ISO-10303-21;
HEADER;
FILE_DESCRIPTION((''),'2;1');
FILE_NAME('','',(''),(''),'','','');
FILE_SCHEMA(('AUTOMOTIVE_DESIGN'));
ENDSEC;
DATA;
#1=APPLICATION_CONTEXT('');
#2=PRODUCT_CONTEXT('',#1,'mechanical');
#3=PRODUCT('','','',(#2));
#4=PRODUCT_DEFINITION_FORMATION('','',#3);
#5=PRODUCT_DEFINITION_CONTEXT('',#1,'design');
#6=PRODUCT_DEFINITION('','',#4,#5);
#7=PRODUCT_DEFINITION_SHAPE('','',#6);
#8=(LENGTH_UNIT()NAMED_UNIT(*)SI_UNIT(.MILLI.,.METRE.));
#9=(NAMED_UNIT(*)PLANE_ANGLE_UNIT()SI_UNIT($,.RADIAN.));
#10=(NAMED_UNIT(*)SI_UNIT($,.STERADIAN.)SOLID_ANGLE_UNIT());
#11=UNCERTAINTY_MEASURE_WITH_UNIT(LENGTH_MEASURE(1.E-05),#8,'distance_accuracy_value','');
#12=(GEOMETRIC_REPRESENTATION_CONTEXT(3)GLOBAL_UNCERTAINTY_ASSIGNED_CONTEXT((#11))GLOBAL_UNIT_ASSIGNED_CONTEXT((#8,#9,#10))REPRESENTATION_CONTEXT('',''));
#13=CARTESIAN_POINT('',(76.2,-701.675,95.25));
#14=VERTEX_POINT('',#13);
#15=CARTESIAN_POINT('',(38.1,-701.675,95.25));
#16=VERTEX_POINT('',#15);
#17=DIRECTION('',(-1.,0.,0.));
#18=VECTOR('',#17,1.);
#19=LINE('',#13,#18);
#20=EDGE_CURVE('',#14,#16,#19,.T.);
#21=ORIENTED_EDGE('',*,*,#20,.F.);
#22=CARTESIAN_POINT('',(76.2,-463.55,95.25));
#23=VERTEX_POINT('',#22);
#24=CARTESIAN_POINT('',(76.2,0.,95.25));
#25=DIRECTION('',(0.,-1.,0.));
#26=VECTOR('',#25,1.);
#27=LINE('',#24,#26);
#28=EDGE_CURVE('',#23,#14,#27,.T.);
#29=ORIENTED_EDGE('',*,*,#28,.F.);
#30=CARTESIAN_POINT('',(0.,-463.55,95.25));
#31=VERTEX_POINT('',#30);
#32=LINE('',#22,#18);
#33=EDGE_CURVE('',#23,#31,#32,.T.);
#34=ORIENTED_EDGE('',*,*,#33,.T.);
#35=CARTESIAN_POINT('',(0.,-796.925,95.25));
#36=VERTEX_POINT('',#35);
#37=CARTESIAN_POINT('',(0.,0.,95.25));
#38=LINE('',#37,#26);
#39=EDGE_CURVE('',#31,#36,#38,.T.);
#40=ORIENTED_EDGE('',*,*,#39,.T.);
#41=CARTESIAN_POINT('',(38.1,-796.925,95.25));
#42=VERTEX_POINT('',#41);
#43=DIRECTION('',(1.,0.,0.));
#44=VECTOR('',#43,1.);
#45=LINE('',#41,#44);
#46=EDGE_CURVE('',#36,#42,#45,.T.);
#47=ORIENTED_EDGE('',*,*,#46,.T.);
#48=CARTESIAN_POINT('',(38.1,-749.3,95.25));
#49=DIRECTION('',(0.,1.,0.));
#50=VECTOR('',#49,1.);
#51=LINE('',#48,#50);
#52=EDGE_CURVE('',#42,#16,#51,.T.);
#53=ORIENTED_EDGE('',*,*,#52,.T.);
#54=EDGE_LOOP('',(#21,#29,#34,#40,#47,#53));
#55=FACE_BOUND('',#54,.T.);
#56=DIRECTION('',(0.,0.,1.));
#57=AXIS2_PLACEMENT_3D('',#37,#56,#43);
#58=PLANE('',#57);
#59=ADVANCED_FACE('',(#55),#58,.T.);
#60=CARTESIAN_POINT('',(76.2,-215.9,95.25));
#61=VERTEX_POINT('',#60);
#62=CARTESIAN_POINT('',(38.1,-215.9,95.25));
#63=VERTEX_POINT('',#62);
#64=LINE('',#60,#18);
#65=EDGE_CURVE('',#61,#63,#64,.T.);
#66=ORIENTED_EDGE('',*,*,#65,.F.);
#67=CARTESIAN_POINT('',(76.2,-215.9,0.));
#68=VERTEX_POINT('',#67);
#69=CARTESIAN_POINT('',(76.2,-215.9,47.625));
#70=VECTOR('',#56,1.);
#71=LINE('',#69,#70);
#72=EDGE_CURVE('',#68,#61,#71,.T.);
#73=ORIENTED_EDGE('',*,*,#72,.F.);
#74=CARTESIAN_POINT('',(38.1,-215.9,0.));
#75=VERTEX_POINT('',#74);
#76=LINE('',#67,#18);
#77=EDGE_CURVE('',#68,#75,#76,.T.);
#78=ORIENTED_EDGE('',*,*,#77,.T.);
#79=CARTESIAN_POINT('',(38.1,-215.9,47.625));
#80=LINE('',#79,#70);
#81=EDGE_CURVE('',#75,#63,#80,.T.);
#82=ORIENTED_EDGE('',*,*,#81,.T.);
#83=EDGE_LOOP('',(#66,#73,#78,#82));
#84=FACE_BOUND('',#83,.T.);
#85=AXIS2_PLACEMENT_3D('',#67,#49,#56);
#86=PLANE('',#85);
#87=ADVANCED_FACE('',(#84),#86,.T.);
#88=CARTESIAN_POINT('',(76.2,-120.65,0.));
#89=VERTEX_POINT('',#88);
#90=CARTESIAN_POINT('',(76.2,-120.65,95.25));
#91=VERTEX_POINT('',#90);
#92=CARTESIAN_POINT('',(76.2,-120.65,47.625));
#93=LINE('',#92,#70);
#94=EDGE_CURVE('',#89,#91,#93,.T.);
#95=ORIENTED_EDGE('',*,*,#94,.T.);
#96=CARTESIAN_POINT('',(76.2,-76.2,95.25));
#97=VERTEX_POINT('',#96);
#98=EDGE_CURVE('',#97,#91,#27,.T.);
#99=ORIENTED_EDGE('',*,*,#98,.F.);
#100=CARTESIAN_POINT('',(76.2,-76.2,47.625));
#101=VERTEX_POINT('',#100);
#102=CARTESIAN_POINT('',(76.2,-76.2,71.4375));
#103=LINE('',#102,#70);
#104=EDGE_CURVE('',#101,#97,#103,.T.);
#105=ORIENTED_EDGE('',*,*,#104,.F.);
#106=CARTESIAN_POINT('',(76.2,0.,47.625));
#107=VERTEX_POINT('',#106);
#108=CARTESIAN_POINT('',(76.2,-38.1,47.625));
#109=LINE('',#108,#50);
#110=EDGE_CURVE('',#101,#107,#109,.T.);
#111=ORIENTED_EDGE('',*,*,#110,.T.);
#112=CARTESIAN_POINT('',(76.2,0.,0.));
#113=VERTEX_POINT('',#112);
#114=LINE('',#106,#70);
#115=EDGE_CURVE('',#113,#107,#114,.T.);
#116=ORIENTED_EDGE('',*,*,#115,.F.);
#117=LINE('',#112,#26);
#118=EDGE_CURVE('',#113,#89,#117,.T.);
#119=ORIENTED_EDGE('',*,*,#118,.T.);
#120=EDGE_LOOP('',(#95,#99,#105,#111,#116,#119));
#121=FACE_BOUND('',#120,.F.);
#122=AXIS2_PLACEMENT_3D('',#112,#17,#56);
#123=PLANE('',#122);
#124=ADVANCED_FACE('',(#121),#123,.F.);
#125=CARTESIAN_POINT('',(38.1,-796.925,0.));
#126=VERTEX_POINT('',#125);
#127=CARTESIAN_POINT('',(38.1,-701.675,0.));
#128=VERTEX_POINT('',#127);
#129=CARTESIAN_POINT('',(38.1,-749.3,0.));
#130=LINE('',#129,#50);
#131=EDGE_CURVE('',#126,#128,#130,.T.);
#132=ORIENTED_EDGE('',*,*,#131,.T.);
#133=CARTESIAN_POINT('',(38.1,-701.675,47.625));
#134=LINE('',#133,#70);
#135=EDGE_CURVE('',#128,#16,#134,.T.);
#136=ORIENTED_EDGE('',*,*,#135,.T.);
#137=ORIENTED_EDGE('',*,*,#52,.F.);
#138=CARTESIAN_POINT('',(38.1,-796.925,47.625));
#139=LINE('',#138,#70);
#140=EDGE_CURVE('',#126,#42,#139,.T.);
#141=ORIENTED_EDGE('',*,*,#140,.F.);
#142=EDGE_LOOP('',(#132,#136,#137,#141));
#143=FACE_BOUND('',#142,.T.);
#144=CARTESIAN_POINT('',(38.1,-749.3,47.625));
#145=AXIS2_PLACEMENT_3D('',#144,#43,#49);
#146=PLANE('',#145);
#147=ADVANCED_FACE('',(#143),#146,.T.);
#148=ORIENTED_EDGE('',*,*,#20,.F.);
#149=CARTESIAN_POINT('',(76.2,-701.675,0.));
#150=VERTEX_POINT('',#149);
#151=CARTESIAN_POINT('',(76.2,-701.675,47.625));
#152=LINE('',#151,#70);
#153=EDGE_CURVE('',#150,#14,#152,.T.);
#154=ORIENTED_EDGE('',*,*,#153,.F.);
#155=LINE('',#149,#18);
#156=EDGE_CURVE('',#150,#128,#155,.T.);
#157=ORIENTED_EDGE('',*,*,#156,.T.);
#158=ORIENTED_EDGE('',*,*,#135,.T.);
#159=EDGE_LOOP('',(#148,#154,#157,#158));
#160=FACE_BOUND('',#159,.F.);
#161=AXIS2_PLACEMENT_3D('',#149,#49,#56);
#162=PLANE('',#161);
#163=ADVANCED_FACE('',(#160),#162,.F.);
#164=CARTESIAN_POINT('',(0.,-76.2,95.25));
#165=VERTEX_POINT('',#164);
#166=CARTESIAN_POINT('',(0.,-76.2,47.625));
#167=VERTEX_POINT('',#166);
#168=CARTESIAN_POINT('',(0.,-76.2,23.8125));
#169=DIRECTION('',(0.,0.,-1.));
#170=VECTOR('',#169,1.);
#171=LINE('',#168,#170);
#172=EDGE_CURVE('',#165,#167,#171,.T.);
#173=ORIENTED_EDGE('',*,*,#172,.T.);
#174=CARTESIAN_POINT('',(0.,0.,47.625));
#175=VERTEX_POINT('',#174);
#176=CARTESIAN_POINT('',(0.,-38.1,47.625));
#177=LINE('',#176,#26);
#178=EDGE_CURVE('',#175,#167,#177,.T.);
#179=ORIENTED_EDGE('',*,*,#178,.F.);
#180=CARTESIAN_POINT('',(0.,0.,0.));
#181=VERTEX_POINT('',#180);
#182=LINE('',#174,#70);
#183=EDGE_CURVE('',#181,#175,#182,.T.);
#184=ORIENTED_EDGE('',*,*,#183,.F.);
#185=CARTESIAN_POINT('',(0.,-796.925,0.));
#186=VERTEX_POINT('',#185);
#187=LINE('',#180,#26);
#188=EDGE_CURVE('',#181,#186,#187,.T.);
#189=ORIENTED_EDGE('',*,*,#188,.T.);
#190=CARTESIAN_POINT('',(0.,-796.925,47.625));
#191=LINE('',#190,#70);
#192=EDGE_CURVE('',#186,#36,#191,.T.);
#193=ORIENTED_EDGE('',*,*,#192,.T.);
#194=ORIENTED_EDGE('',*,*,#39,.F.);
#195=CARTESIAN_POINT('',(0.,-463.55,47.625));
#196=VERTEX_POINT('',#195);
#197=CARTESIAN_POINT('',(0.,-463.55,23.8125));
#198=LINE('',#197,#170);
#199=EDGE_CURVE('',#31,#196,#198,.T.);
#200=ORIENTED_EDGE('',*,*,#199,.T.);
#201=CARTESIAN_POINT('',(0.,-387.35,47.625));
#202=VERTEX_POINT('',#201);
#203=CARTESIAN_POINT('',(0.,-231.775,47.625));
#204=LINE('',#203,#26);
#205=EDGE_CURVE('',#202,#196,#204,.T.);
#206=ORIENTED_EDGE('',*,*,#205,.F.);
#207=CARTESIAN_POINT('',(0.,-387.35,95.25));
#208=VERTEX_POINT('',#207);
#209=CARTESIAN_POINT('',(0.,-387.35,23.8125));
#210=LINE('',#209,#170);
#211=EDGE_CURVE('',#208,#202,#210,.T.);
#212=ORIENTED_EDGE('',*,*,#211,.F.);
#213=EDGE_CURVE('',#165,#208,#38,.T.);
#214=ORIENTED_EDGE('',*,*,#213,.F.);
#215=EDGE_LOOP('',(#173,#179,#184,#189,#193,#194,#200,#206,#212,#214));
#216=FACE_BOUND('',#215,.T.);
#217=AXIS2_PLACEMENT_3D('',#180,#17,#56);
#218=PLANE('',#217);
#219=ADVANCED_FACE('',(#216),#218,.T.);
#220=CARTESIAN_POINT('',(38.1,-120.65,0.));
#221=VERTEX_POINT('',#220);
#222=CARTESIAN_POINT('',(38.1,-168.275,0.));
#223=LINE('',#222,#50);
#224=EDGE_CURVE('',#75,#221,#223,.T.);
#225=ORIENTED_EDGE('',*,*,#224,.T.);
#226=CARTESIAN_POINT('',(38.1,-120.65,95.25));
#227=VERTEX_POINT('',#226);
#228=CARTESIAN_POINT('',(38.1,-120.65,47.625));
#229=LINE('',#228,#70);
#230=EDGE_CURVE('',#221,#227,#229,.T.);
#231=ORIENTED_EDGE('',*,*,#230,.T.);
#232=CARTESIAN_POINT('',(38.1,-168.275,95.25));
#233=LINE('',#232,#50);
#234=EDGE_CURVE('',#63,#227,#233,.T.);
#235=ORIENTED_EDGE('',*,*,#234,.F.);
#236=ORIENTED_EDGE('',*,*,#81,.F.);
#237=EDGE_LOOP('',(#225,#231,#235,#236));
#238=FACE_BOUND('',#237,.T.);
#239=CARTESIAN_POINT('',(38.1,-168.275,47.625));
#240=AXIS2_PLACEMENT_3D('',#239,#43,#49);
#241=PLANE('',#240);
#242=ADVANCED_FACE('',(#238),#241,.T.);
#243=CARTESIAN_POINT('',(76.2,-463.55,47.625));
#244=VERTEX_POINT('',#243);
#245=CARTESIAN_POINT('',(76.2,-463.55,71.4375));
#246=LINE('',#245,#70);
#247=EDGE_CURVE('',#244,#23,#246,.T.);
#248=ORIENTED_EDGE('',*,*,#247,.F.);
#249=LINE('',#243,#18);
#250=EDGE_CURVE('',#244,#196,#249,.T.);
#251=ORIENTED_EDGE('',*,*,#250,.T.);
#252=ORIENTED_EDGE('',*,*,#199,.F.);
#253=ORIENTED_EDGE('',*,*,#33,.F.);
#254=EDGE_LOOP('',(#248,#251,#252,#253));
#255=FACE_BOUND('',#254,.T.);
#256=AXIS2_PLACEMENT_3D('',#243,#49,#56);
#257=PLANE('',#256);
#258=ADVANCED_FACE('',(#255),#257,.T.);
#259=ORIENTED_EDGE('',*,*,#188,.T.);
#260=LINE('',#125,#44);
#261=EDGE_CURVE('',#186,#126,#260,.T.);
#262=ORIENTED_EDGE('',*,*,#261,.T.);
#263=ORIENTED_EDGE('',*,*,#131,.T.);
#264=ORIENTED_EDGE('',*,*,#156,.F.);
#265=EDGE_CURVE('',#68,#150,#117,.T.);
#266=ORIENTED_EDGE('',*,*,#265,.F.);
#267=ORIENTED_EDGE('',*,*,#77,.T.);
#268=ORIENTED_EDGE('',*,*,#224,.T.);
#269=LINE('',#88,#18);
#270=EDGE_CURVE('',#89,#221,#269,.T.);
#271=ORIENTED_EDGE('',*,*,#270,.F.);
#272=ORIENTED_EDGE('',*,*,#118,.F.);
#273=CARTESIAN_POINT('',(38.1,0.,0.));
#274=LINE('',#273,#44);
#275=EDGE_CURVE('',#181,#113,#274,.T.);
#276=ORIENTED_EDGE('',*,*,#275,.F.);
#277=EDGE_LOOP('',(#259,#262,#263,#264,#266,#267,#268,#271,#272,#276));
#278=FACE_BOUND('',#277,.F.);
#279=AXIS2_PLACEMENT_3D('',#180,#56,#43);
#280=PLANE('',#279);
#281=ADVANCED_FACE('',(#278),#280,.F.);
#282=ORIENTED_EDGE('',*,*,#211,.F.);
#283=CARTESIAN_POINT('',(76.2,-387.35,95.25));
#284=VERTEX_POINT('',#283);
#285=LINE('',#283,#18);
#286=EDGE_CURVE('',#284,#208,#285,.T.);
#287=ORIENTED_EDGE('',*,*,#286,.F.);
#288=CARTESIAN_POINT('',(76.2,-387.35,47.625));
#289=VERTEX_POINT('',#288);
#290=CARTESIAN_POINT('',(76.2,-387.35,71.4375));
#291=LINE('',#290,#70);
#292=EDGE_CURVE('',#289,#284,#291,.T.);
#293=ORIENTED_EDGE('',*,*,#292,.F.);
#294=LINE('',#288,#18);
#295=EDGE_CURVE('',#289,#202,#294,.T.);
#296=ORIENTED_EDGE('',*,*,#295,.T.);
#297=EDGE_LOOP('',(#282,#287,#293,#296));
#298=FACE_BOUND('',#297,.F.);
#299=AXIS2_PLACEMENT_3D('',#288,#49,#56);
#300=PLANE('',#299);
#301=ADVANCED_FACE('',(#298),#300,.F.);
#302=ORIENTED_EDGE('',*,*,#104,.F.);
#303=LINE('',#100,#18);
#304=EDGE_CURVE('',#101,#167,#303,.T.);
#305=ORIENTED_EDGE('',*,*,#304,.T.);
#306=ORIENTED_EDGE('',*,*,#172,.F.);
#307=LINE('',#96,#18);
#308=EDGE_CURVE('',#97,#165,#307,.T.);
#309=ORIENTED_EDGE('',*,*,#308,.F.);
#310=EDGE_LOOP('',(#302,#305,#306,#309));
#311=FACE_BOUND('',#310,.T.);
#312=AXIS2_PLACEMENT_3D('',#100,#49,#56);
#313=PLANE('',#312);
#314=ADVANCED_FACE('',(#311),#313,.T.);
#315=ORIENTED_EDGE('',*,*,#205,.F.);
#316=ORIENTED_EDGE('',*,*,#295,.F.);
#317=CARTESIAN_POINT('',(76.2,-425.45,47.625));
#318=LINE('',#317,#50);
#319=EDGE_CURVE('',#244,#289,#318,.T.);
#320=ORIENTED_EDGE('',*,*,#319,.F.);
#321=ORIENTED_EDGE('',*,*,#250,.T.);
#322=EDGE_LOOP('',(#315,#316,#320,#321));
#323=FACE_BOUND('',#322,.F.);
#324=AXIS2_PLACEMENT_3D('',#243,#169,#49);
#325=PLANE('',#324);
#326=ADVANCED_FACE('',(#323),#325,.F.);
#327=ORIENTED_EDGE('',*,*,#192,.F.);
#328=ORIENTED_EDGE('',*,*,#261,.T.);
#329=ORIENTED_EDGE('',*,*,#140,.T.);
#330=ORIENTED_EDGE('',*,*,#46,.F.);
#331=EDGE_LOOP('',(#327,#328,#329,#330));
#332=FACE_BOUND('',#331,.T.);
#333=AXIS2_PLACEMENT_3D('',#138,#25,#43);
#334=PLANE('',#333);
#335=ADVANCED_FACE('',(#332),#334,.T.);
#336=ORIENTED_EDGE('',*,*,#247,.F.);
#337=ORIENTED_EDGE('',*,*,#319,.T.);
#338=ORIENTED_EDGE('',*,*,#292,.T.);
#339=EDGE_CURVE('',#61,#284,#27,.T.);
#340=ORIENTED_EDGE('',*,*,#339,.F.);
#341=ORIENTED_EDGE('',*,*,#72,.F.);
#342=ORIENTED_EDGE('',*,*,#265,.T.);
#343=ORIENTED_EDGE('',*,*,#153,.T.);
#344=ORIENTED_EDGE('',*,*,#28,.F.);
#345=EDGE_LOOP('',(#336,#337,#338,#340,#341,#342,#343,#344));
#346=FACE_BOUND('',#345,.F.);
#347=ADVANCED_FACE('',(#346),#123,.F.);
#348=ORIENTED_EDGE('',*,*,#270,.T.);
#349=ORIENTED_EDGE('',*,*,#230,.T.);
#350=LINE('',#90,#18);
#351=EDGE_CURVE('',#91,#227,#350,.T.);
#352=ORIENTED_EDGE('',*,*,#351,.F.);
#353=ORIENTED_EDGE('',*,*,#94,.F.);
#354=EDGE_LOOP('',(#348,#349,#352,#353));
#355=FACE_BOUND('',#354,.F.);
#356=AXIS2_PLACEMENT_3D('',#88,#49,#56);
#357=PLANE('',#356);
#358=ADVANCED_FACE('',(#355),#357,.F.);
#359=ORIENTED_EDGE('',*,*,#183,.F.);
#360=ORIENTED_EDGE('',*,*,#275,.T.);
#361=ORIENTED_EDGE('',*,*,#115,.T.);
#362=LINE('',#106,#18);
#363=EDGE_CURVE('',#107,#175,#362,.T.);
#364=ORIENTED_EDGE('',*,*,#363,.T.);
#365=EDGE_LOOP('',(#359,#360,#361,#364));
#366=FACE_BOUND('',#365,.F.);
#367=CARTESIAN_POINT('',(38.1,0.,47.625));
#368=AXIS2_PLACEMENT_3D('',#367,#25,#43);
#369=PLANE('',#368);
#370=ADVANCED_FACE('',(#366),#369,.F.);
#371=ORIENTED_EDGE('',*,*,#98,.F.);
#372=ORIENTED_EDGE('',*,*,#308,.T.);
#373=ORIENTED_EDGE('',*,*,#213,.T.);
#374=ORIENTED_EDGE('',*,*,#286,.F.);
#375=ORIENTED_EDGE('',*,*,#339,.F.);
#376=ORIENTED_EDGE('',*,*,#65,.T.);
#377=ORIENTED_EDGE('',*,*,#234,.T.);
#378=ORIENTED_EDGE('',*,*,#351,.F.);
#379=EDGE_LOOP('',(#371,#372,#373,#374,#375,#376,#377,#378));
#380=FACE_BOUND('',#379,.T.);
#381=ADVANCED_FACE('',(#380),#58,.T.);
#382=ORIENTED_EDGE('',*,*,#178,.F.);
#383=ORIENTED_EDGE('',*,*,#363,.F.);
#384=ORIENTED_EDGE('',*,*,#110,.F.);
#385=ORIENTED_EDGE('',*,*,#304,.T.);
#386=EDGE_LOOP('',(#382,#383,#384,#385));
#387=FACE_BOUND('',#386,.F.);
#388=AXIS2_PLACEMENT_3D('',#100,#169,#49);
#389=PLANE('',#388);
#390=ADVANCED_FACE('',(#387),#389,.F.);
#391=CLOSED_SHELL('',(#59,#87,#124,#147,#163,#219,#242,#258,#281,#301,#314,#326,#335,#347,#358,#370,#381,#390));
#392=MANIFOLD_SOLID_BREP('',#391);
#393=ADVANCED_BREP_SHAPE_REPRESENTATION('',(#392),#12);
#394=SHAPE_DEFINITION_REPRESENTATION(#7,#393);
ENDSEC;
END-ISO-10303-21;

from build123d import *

# Parameters (mm, degrees)
F0_W     = 76.2
F0_H     = 95.25
F1_DEPTH = 796.925
F2_W     = 95.25
F2_H     = 95.25
F3_DEPTH = 38.1
F4_W     = 76.2
F4_H     = 47.625
F5_DEPTH = 76.201
F6_W     = 95.25
F6_H     = 95.25
F7_DEPTH = 38.1


with BuildPart() as f1:
    # F0 (on Front) → F1 (new body)
    with BuildSketch(Plane.XZ):
        with Locations((38.1, 47.625)):
            Rectangle(F0_W, F0_H)
    extrude(amount=F1_DEPTH)

    # F2 (on face) → F3 (cut)
    with BuildSketch(Plane.YZ.offset(76.2)):
        with Locations((-749.3, 47.625)):
            Rectangle(F2_W, F2_H)
    extrude(amount=-F3_DEPTH, mode=Mode.SUBTRACT)

    # F4 (on face) → F5 (cut, through all)
    with BuildSketch(Plane.YZ.offset(76.2)):
        with Locations((-425.45, 71.4375)):
            Rectangle(F4_W, F4_H)
        with Locations((-38.1, 71.4375)):
            Rectangle(F4_W, F4_H)
    extrude(amount=-F5_DEPTH, mode=Mode.SUBTRACT)

    # F6 (on face) → F7 (cut)
    with BuildSketch(Plane.YZ.offset(76.2)):
        with Locations((-168.275, 47.625)):
            Rectangle(F6_W, F6_H)
    extrude(amount=-F7_DEPTH, mode=Mode.SUBTRACT)


solid = f1.part
